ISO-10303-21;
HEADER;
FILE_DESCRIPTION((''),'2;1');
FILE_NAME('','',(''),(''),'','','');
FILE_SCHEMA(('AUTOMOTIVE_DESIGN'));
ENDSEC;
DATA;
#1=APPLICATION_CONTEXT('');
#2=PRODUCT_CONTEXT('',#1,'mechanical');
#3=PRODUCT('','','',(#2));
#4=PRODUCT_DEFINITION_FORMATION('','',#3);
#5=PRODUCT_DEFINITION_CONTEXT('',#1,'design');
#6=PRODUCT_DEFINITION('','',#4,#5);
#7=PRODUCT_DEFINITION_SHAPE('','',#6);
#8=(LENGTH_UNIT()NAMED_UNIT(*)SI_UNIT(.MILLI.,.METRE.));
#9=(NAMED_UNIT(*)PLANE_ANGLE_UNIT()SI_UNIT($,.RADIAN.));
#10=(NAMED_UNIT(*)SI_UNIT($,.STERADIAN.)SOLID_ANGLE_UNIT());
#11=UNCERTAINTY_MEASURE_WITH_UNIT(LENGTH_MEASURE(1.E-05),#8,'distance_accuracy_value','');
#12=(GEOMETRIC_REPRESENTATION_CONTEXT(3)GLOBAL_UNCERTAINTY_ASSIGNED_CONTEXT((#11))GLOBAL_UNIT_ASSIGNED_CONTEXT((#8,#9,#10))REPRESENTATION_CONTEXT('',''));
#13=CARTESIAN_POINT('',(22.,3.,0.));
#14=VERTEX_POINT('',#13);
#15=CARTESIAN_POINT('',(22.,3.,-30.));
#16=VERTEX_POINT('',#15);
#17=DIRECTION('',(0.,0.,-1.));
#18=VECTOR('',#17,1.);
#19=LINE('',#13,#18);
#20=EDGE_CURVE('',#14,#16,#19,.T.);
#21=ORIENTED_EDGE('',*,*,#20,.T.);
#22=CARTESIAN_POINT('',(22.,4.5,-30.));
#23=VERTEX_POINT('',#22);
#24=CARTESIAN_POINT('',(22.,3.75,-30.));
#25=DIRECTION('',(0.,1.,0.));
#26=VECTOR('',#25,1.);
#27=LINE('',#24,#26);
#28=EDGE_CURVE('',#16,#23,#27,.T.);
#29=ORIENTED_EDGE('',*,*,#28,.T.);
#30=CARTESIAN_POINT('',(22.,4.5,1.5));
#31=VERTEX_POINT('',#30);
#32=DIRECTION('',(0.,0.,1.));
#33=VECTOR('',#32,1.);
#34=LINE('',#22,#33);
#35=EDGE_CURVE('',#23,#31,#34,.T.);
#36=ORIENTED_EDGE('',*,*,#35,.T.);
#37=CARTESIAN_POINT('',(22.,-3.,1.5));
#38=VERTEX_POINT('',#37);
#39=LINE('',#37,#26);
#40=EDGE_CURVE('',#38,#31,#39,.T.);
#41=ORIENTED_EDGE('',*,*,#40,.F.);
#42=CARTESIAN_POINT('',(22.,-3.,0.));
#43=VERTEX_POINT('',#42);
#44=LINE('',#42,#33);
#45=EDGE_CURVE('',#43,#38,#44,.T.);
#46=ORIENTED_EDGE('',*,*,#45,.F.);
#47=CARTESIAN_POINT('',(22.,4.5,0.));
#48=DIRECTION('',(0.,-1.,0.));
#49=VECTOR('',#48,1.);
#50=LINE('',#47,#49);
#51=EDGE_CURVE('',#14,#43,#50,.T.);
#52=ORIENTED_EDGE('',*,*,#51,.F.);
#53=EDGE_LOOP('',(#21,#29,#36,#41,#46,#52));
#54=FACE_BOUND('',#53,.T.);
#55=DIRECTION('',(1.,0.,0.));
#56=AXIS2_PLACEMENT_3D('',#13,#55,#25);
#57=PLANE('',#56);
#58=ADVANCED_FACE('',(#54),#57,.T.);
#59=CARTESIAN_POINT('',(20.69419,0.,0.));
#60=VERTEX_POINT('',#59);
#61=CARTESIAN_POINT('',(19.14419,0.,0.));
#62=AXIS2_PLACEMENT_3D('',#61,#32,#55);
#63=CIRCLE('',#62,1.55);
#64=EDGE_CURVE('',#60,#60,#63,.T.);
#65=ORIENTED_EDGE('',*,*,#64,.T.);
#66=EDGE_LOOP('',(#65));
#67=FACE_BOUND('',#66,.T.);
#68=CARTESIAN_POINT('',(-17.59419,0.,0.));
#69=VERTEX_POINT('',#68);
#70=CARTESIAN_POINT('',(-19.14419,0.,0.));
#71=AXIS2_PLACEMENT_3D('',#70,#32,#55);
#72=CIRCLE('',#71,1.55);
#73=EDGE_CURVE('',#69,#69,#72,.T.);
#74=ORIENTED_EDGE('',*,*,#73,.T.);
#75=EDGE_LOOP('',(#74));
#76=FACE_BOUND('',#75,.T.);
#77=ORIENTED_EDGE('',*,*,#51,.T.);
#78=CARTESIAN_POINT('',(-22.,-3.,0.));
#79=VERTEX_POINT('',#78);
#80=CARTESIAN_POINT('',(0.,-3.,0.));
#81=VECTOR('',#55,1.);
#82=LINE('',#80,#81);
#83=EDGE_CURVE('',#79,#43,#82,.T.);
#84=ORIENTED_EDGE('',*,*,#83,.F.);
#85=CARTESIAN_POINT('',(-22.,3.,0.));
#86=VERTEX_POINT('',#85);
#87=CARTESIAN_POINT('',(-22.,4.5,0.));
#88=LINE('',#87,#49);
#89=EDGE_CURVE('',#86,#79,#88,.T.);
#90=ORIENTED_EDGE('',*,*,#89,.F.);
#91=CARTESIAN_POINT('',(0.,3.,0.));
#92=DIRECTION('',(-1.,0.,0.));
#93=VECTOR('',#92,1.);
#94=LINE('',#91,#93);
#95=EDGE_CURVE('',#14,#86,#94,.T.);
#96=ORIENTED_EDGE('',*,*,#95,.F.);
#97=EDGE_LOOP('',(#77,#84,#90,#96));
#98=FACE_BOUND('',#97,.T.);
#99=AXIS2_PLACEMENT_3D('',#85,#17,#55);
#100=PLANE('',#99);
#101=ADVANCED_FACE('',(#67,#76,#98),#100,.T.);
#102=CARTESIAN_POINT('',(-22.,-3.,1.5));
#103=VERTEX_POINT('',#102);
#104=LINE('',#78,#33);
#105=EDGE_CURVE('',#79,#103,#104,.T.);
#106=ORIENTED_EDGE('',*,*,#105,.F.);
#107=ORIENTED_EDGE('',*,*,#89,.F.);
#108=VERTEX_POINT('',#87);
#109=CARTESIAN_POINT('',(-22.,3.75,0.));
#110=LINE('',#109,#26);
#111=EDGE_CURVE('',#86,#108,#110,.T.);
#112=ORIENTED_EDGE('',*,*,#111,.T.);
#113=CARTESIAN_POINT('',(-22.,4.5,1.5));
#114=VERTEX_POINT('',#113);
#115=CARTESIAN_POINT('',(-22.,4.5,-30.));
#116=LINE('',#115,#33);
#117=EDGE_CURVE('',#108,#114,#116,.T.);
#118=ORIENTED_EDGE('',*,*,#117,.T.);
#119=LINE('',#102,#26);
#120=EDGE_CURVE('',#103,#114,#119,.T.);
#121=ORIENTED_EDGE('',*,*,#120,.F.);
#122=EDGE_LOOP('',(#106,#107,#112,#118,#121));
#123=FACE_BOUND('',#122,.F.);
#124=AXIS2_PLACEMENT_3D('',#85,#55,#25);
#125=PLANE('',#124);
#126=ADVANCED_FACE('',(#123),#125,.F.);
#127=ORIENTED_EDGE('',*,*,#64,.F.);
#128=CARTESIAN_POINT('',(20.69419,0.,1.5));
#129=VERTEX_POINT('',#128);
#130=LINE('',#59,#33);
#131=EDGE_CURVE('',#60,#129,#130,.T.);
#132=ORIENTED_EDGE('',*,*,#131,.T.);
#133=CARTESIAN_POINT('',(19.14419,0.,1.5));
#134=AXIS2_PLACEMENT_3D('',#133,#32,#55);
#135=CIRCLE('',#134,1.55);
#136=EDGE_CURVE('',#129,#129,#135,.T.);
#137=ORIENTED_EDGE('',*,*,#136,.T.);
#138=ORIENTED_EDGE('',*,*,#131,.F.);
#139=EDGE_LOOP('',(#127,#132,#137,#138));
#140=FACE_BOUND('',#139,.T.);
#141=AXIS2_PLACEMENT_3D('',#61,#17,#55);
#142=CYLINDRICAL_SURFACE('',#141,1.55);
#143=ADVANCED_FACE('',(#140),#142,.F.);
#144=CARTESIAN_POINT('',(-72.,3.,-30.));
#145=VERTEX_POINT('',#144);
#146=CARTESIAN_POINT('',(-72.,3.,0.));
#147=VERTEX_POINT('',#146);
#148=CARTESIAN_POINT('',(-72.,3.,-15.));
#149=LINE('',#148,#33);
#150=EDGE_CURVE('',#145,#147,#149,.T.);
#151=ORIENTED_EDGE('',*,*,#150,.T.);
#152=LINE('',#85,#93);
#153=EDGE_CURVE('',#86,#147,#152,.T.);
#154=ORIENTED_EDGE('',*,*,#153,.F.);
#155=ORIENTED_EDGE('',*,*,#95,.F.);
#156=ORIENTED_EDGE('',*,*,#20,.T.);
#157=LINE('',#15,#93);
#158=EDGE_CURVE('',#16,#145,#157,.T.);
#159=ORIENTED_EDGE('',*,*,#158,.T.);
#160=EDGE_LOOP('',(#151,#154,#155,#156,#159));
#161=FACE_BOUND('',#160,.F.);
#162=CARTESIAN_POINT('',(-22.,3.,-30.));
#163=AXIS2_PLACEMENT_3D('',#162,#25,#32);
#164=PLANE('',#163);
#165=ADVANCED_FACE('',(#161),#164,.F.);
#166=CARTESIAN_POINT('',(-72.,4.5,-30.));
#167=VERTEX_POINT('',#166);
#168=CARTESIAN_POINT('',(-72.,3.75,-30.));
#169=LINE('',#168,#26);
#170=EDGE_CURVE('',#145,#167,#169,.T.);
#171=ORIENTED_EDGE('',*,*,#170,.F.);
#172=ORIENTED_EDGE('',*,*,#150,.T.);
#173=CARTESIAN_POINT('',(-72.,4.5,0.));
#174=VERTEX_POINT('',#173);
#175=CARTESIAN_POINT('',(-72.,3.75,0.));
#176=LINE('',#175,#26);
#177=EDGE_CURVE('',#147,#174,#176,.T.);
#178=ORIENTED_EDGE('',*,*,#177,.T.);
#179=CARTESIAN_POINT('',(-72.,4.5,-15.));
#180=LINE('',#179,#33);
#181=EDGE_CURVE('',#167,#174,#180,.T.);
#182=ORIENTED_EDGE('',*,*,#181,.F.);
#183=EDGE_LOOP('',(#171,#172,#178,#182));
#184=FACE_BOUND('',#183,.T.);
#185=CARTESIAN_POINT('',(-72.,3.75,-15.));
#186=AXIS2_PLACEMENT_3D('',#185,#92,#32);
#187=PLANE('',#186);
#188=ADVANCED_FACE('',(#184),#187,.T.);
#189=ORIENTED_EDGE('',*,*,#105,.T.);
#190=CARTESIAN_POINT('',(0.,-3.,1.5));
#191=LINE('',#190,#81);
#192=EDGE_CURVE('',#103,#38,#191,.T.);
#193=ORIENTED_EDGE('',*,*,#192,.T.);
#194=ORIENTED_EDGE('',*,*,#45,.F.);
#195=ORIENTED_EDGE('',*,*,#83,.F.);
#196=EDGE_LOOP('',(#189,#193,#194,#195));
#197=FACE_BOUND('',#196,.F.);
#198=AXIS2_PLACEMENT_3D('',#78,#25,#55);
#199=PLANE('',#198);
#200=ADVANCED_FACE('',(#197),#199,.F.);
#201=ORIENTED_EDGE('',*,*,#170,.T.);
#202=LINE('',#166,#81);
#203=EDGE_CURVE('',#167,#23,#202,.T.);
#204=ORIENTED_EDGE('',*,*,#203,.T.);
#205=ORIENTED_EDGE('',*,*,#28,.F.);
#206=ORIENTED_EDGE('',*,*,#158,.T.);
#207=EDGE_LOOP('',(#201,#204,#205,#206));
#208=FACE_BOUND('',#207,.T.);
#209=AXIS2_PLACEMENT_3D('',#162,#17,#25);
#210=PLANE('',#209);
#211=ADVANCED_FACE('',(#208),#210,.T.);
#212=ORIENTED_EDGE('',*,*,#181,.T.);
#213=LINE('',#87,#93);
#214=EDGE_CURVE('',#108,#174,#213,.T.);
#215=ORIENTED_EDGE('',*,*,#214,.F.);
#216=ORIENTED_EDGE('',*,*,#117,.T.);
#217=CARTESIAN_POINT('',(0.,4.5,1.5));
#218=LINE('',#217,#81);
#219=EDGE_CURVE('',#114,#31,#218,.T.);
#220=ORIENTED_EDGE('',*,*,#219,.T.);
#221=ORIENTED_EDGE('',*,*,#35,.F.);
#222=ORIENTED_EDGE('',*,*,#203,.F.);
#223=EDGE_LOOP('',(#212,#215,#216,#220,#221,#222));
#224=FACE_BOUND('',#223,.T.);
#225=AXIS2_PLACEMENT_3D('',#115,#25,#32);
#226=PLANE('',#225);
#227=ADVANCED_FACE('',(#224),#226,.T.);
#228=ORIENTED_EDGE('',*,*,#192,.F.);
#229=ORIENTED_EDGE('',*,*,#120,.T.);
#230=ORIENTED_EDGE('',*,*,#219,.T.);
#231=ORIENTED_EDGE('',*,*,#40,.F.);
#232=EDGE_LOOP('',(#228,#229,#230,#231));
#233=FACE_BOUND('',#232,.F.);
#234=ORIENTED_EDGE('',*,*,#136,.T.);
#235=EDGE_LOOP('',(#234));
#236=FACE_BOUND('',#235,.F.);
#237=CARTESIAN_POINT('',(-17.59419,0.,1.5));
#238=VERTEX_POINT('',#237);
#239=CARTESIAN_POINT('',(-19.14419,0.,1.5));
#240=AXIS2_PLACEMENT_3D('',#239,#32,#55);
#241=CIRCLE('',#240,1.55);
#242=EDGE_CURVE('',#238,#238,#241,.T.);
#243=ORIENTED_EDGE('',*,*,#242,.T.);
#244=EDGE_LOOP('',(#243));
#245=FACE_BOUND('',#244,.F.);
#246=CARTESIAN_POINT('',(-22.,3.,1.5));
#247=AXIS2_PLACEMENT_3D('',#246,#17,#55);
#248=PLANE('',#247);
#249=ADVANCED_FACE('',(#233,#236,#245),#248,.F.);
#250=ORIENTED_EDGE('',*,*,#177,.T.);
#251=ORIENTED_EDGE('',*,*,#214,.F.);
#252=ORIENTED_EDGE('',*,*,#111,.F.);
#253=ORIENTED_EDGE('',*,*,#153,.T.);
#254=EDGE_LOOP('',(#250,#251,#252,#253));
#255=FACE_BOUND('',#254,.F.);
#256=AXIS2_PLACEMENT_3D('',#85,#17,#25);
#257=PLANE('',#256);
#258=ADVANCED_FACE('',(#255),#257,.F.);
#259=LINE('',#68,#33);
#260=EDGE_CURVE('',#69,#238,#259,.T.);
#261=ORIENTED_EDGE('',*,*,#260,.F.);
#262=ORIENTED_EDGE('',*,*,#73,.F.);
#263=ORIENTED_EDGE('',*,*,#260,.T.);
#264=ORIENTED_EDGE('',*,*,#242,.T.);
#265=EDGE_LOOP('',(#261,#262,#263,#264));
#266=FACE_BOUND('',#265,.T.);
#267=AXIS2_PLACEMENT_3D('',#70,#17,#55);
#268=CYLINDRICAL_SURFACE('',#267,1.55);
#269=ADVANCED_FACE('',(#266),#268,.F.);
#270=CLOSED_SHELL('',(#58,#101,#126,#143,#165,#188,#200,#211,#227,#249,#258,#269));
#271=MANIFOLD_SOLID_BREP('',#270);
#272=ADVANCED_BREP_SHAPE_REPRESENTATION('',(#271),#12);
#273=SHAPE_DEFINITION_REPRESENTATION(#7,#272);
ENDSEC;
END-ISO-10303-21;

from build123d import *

# Parameters (mm, degrees)
SKETCH_1_W      = 44
SKETCH_1_H      = 6
SKETCH_1_R      = 1.55
EXTRUDE_1_DEPTH = 1.5
SKETCH_2_W      = 44
SKETCH_2_H      = 1.5
EXTRUDE_2_DEPTH = 1.5
SKETCH_4_W      = 44
SKETCH_4_H      = 1.5
EXTRUDE_3_DEPTH = 30
SKETCH_6_W      = 30
SKETCH_6_H      = 1.5
EXTRUDE_4_DEPTH = 50


with BuildPart() as part:
    # 草图1 → 凸台-拉伸1 (new body)
    with BuildSketch(Plane.XY):
        Rectangle(SKETCH_1_W, SKETCH_1_H)
        with Locations((-19.14418972, 0)):
            Circle(SKETCH_1_R, mode=Mode.SUBTRACT)
        with Locations((19.14418972, 0)):
            Circle(SKETCH_1_R, mode=Mode.SUBTRACT)
    extrude(amount=EXTRUDE_1_DEPTH)

    # 草图2 → 凸台-拉伸2 (add)
    with BuildSketch(Plane(origin=(0, 3, 0), x_dir=(1, 0, 0), z_dir=(0, 1, 0))):
        with Locations((0, -0.75)):
            Rectangle(SKETCH_2_W, SKETCH_2_H)
    extrude(amount=EXTRUDE_2_DEPTH)

    # 草图4 → 凸台-拉伸3 (add)
    with BuildSketch(Plane(origin=(0, 0, 0), x_dir=(-1, 0, 0), z_dir=(0, 0, -1))):
        with Locations((0, 3.75)):
            Rectangle(SKETCH_4_W, SKETCH_4_H)
    extrude(amount=EXTRUDE_3_DEPTH)

    # 草图6 → 凸台-拉伸4 (add)
    with BuildSketch(Plane.ZY.offset(22)):
        with Locations((-15, 3.75)):
            Rectangle(SKETCH_6_W, SKETCH_6_H)
    extrude(amount=EXTRUDE_4_DEPTH)


solid = part.part
